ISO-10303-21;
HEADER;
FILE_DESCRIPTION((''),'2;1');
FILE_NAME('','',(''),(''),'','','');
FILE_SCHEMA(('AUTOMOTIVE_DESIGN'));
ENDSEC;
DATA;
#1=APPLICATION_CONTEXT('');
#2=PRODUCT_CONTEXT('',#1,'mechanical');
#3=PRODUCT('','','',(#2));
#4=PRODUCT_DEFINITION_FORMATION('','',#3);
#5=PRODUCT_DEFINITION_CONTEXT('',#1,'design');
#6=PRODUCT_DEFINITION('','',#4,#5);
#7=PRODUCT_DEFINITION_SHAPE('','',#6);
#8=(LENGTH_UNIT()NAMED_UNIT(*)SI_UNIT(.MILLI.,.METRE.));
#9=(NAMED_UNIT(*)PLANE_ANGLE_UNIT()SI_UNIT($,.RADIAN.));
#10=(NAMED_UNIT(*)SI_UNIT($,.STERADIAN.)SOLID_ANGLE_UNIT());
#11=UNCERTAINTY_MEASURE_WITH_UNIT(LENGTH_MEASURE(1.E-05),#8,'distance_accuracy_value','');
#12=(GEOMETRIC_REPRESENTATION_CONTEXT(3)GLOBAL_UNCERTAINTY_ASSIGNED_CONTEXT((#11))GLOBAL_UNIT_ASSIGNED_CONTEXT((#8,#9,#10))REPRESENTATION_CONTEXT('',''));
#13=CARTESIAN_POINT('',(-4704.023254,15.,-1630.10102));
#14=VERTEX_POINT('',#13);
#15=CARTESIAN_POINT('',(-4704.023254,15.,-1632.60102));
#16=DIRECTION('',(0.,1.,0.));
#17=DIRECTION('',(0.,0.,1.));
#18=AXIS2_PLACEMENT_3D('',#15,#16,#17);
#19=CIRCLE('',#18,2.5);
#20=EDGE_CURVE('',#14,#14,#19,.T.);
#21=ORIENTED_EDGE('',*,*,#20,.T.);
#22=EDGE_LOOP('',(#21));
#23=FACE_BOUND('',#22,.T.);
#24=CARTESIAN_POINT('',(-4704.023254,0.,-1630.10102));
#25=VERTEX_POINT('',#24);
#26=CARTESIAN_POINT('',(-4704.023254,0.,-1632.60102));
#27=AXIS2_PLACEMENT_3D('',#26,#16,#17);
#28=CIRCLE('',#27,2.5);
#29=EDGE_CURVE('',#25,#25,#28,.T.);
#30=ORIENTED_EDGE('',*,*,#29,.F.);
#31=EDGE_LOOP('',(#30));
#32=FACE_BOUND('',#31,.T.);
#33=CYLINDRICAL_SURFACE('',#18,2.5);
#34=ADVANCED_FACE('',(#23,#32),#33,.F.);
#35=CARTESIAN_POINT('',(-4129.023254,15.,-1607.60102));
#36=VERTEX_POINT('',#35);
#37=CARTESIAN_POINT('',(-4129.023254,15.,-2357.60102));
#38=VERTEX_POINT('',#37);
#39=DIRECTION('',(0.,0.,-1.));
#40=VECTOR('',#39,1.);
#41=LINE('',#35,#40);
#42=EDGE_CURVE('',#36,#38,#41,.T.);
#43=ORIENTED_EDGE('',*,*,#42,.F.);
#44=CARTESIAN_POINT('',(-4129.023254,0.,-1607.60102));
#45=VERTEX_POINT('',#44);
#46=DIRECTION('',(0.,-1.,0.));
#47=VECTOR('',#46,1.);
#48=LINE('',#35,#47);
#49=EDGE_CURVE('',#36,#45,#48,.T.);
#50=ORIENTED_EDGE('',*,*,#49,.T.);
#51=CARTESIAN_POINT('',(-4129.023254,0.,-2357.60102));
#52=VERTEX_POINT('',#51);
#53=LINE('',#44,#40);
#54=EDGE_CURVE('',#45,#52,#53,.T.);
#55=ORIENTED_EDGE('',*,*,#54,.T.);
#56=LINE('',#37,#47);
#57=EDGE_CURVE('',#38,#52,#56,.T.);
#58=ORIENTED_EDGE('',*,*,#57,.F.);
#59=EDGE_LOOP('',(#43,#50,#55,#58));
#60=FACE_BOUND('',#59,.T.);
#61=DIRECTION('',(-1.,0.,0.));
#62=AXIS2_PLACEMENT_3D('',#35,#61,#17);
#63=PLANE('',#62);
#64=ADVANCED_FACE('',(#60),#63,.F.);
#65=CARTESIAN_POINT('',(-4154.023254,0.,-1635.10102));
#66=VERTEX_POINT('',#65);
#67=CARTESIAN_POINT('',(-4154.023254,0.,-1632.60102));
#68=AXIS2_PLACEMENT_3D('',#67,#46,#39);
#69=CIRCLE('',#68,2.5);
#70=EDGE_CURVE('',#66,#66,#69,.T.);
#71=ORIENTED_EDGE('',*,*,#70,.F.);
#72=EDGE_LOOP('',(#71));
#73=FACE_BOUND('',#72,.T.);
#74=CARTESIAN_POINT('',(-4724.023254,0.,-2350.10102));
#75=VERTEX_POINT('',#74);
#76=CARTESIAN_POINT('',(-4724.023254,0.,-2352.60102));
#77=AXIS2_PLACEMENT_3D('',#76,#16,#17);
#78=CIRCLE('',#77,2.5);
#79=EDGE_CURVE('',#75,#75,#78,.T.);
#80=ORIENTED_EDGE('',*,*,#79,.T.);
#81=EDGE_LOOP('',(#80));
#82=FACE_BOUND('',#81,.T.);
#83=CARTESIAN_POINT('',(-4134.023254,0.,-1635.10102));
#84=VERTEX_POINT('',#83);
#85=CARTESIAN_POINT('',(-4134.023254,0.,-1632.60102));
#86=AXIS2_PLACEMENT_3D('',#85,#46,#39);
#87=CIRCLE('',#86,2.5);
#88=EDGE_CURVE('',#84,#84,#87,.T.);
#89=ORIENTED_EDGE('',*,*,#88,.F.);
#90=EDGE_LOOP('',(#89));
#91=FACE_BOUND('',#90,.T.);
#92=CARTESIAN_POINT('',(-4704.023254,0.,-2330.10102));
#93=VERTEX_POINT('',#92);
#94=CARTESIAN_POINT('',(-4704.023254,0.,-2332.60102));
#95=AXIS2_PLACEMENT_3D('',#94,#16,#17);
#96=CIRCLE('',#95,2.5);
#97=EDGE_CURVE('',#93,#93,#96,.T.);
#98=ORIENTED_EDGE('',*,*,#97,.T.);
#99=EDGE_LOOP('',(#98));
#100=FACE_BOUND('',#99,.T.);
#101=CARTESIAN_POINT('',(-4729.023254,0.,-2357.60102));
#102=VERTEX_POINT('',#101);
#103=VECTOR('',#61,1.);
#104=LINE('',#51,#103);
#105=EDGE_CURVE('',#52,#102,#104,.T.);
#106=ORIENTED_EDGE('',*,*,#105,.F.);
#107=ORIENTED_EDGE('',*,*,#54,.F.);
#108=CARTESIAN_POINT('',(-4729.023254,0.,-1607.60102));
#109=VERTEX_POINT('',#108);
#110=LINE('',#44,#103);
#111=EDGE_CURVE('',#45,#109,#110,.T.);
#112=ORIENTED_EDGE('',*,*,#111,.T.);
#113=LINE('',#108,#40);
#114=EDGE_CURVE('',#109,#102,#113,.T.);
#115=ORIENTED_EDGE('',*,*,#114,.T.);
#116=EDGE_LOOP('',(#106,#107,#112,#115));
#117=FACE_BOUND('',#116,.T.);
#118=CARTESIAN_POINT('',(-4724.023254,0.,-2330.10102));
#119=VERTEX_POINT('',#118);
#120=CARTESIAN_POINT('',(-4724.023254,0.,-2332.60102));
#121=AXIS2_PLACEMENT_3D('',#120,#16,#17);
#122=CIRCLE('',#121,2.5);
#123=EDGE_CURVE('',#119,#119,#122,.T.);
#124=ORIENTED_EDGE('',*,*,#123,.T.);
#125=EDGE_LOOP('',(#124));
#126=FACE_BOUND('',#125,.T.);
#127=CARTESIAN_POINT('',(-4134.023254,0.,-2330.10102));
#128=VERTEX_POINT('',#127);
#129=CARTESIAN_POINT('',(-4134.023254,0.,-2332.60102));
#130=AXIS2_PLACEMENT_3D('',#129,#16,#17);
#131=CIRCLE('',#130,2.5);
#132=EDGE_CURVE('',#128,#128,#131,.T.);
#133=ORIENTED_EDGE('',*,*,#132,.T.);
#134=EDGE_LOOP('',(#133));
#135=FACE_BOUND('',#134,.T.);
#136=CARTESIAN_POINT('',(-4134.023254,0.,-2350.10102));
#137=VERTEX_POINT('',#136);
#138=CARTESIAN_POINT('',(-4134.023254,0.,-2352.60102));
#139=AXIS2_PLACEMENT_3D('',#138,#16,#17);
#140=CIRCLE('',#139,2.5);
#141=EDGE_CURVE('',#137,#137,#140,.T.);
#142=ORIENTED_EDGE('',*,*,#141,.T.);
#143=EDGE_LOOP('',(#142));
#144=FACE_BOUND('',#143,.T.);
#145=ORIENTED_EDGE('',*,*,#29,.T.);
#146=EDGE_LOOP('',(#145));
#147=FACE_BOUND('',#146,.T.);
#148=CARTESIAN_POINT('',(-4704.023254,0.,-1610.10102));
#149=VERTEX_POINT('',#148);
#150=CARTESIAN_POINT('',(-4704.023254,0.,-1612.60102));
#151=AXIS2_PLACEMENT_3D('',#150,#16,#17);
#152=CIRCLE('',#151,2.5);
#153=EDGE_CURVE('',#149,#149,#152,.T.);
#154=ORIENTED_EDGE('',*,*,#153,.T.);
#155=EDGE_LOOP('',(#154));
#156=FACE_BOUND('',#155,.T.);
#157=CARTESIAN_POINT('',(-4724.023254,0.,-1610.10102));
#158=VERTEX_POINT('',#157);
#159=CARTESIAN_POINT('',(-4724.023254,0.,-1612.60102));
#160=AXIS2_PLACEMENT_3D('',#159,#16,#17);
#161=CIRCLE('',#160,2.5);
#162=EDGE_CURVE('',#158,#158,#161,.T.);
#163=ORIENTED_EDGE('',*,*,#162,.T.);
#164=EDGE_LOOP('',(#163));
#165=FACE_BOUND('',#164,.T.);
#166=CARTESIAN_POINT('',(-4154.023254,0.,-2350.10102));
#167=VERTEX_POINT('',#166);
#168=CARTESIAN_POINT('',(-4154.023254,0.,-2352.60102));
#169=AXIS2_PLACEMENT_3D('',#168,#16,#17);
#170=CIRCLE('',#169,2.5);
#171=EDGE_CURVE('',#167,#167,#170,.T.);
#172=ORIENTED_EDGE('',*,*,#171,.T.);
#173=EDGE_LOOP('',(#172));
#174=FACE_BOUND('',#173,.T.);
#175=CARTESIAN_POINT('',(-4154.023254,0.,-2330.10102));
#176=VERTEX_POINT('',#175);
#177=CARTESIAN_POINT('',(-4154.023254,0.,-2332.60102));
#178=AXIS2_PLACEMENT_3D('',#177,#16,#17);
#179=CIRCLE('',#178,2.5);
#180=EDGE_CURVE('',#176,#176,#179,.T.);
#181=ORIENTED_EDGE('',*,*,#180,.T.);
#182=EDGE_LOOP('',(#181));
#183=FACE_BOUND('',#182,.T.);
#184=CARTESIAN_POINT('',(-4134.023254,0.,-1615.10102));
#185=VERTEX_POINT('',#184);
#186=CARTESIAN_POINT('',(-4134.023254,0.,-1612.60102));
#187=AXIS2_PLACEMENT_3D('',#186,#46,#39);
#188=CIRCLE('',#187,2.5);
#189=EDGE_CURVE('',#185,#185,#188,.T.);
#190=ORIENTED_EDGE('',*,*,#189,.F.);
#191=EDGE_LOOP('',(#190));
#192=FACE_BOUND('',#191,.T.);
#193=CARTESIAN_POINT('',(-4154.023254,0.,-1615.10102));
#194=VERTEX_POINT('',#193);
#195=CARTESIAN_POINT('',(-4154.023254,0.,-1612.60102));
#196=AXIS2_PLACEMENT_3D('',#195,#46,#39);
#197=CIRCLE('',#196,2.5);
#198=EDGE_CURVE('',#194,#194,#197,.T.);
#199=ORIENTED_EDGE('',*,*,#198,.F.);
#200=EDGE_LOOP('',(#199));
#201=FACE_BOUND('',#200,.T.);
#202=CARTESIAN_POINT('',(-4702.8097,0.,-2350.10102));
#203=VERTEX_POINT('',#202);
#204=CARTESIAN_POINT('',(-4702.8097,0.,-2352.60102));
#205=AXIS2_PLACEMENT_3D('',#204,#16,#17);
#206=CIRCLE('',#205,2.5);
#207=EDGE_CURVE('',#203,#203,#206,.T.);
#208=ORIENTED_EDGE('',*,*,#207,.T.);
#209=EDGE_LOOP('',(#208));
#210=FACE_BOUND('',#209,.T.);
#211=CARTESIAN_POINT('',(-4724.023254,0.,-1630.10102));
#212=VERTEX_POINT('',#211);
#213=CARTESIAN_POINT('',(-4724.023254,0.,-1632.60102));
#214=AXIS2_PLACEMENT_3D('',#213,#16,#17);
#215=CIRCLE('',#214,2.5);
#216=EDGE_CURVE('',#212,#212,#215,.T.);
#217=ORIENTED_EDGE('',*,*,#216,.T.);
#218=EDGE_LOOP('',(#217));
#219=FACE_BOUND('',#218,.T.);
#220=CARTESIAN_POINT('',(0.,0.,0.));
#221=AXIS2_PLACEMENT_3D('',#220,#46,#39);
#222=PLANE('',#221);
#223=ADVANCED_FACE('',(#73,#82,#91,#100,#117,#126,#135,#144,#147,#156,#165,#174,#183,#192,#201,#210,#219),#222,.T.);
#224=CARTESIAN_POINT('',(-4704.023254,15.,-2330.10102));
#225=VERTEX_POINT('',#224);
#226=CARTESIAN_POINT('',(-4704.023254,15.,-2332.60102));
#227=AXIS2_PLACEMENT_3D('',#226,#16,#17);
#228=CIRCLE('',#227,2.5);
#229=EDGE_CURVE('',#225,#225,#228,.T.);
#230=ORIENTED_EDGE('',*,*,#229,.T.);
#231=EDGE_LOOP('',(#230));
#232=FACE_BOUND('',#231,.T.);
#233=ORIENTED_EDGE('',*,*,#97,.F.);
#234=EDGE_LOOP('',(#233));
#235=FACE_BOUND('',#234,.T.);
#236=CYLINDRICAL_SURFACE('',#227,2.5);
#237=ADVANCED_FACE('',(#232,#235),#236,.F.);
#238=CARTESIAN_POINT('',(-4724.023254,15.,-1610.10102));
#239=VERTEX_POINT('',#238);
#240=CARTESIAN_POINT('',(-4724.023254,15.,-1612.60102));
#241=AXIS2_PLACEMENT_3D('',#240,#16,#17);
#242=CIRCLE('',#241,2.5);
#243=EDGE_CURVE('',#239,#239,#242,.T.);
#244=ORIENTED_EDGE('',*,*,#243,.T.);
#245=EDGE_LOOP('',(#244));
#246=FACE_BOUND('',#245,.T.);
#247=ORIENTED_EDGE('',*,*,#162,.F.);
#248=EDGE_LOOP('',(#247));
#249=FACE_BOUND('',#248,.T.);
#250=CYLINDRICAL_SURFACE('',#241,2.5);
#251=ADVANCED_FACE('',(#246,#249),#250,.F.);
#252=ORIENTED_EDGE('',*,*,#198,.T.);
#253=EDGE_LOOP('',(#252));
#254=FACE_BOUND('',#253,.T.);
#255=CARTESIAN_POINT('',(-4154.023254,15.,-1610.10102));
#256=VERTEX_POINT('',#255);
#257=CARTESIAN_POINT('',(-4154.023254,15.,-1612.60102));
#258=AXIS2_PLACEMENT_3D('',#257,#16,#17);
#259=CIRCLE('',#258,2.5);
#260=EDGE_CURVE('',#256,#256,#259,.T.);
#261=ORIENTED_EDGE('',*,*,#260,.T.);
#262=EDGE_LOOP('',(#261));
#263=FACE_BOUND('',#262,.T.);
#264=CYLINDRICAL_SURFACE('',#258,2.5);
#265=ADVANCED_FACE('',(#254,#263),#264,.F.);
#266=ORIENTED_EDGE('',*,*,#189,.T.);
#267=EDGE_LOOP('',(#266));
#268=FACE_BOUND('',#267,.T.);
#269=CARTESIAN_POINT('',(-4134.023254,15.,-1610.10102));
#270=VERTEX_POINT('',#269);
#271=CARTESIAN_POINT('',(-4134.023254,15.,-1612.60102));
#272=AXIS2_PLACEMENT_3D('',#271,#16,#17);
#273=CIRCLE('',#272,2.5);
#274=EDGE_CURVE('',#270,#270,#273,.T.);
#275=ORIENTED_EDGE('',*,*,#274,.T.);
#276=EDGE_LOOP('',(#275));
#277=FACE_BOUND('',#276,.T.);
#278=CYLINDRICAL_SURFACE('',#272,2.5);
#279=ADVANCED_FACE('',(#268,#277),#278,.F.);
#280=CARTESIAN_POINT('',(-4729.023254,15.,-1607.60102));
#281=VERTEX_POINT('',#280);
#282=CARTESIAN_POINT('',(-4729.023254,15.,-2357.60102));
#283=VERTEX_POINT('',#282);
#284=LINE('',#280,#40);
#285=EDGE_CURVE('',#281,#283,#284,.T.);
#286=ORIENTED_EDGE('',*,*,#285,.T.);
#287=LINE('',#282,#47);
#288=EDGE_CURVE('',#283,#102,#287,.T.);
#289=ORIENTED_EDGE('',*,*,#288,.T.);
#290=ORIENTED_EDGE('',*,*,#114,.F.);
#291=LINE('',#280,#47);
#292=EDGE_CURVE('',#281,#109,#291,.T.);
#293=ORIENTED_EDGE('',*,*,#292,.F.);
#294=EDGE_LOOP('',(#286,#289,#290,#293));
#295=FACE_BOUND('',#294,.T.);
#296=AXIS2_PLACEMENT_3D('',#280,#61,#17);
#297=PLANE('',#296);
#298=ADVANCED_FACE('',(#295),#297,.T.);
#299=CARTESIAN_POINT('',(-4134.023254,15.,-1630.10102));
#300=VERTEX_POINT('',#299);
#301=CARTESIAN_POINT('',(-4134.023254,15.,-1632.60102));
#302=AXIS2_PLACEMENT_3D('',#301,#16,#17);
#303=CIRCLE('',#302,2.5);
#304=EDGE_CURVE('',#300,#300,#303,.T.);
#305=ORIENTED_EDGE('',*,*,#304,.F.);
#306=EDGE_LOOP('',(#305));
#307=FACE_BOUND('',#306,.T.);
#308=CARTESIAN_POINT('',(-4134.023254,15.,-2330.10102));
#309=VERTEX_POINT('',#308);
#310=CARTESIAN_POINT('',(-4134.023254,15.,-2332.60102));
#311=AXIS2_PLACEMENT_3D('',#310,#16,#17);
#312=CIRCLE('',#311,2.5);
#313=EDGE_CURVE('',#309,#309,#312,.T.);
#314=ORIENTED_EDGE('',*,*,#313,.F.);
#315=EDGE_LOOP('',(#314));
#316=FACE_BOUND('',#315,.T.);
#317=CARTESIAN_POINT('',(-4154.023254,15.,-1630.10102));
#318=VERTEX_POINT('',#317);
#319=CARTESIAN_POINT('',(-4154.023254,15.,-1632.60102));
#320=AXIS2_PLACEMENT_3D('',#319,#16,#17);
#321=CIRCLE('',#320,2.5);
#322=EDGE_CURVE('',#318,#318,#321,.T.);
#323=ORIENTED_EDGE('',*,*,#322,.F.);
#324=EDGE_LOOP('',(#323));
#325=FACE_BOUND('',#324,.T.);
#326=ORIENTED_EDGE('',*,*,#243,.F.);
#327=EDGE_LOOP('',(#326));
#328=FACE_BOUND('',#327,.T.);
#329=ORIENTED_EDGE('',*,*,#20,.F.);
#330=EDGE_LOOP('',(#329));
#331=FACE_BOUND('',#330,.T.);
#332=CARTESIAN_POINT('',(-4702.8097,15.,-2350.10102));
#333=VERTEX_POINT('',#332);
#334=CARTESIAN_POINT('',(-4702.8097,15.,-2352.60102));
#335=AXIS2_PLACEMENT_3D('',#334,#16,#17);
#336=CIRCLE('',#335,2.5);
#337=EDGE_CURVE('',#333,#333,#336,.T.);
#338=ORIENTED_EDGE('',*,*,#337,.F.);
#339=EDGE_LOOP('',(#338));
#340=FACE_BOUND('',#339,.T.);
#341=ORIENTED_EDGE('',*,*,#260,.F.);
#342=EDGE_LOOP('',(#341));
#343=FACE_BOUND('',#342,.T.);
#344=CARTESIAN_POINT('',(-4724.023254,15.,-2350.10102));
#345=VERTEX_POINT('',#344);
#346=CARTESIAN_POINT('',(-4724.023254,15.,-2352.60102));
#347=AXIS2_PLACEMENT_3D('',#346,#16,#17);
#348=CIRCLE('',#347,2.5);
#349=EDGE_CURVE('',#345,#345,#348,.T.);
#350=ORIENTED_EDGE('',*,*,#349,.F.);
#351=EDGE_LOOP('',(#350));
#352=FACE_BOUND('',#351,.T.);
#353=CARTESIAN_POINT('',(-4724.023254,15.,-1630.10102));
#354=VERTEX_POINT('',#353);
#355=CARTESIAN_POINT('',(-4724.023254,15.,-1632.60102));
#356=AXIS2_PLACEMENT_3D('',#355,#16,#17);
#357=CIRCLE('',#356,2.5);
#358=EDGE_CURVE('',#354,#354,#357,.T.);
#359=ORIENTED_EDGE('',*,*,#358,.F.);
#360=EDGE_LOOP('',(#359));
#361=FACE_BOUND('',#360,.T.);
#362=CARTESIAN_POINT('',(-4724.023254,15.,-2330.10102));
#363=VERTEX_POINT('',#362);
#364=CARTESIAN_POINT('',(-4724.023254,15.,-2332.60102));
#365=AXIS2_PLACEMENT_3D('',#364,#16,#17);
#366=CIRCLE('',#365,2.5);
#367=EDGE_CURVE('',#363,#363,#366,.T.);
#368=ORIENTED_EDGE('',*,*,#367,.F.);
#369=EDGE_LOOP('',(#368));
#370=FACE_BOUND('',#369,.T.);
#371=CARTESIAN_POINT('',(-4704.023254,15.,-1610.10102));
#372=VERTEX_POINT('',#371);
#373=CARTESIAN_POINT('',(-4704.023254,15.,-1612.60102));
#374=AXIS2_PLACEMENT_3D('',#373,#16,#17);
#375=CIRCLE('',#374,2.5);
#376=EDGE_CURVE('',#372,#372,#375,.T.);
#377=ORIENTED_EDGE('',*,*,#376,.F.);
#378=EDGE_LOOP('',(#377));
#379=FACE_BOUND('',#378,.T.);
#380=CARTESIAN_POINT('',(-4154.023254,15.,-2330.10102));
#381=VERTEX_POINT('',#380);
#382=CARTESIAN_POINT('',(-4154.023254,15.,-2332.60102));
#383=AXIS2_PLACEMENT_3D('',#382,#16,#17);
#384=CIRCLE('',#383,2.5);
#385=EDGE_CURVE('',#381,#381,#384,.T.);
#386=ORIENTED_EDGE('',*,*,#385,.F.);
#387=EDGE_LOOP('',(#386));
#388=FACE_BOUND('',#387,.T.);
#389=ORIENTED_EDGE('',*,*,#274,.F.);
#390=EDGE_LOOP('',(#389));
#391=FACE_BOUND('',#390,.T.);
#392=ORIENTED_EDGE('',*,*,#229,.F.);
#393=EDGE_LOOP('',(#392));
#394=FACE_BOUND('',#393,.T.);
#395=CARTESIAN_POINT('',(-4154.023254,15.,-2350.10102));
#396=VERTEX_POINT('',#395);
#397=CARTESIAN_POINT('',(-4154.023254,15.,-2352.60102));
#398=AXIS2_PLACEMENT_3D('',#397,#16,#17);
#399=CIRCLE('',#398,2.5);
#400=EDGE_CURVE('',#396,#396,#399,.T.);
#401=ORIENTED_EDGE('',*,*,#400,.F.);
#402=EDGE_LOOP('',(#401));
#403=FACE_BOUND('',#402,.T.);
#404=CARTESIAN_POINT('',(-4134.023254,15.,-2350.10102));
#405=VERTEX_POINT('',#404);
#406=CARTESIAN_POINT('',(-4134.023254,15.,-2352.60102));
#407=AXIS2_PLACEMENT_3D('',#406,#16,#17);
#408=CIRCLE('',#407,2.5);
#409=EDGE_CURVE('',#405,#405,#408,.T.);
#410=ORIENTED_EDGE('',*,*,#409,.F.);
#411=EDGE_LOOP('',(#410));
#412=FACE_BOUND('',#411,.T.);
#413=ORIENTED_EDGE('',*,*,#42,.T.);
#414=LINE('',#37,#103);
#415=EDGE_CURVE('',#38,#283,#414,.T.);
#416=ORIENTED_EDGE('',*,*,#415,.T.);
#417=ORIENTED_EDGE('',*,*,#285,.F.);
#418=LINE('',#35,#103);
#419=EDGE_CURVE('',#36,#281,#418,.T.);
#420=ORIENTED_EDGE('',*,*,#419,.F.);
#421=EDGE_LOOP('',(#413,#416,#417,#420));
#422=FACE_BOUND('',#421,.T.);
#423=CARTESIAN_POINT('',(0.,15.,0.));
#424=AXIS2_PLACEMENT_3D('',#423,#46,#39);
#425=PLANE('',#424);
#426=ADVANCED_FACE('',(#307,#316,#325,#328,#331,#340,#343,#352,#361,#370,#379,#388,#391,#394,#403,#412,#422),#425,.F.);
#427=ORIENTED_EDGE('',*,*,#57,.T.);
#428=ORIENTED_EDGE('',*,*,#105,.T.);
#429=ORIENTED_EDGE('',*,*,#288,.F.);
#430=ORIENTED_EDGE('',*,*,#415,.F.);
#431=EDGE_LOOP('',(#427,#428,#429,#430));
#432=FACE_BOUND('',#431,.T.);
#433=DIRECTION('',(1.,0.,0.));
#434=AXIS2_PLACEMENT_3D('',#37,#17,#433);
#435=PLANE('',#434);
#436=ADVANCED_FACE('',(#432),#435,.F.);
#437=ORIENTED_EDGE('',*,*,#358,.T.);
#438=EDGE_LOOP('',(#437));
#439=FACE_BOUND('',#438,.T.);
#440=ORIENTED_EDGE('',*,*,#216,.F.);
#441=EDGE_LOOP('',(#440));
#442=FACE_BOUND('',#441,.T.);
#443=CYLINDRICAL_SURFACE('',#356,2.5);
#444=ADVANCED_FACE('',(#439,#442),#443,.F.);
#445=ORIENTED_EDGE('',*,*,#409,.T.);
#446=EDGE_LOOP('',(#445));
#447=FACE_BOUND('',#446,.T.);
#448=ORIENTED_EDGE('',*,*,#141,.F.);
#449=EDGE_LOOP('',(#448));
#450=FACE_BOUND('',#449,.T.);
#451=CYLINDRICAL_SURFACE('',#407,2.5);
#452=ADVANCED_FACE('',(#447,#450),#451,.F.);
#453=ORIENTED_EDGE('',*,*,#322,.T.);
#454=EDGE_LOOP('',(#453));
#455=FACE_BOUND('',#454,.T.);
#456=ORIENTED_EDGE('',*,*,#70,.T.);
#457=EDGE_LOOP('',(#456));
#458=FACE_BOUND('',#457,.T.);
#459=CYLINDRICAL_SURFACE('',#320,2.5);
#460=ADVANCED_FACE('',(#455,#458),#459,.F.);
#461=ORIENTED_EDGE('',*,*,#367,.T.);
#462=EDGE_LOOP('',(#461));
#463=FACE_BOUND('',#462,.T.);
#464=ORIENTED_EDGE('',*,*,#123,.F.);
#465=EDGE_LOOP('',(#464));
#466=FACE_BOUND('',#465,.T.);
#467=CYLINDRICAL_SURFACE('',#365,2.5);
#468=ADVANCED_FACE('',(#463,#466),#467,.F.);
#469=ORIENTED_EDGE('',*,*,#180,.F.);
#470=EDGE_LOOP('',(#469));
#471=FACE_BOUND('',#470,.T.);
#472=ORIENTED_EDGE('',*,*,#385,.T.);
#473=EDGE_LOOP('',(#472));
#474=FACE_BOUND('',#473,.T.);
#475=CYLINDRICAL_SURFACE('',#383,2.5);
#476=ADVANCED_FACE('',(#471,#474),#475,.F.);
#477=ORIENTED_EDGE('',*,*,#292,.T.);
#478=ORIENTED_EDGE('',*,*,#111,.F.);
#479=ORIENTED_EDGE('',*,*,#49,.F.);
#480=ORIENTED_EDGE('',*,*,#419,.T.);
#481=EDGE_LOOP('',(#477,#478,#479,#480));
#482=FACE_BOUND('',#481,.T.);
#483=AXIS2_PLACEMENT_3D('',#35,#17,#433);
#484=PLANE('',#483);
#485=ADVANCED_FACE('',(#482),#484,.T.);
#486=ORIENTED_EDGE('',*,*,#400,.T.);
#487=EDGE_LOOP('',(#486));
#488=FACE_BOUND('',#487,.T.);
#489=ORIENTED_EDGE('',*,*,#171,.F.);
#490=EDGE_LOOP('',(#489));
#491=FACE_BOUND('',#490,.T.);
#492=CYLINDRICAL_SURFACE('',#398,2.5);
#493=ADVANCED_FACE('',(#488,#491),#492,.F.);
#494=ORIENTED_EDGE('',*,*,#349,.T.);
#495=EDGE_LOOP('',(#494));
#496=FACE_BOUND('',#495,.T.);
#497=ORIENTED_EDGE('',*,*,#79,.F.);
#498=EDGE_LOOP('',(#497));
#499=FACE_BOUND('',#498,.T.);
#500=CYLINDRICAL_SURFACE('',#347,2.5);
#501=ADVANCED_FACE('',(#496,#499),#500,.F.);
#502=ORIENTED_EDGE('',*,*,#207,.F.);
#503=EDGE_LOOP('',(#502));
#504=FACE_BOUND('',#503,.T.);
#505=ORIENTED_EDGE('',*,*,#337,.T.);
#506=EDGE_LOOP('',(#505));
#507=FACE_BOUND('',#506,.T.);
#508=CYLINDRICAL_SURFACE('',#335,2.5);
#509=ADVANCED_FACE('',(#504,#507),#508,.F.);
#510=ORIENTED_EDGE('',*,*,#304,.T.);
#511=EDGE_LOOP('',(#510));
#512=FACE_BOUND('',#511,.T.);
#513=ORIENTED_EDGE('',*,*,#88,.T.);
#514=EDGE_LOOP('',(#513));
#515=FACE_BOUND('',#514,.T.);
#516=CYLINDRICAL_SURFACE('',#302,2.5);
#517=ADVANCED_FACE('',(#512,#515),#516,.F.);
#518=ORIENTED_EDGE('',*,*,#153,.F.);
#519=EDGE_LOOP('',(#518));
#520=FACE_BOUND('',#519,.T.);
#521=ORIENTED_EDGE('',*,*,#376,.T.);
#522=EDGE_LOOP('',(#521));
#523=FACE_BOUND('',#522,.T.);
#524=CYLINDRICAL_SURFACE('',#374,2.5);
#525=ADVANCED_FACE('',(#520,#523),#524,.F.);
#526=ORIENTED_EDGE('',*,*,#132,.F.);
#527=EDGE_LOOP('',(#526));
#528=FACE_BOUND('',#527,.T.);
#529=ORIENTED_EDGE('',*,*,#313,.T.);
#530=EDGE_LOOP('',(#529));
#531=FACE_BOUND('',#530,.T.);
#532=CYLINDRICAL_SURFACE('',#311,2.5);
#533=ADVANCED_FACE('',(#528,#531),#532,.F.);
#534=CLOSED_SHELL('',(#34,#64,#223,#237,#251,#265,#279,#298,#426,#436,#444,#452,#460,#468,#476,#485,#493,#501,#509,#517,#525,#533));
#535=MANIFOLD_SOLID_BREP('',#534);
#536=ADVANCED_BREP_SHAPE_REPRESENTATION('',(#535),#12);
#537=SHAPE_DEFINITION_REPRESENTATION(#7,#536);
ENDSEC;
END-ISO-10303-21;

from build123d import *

# Parameters (mm, degrees)
SKETCH1_W                 = 600
SKETCH1_H                 = 750
BOSS_EXTRUDE1_DEPTH       = 15
F_5_0MM_DOWEL_HOLE1_D     = 5
F_5_0MM_DOWEL_HOLE1_DEPTH = 30
F_5_0MM_DOWEL_HOLE1_TIP   = 1.502151548
F_5_0MM_DOWEL_HOLE2_D     = 5


with BuildPart() as part:
    # Sketch1 → Boss-Extrude1 (new body)
    with BuildSketch(Plane(origin=(0, 0, 0), x_dir=(1, 0, 0), z_dir=(0, 1, 0))):
        with Locations((-4429.023254343, 1982.601020053)):
            Rectangle(SKETCH1_W, SKETCH1_H)
    extrude(amount=BOSS_EXTRUDE1_DEPTH)

    # Ø5.0mm Dowel Hole1
    with Locations(Plane(origin=(0, 15, 0), x_dir=(1, 0, 0), z_dir=(0, 1, 0))):
        with Locations((-4134.023254343, 1632.601020053), (-4154.023254343, 1632.601020053), (-4154.023254343, 1612.601020053), (-4134.023254343, 1612.601020053)):
            Hole(F_5_0MM_DOWEL_HOLE1_D / 2, depth=F_5_0MM_DOWEL_HOLE1_DEPTH)
            with Locations((0, 0, -(F_5_0MM_DOWEL_HOLE1_DEPTH + F_5_0MM_DOWEL_HOLE1_TIP / 2))):  # 118° drill point
                Cone(0, F_5_0MM_DOWEL_HOLE1_D / 2, F_5_0MM_DOWEL_HOLE1_TIP, mode=Mode.SUBTRACT)

    # Ø5.0mm Dowel Hole2 (through all)
    with Locations(Plane(origin=(-4724.023254343, 15, -2352.601020053), x_dir=(0, 0, 1), z_dir=(0, 1, 0))):
        with Locations((0, 0), (0, 21.213554644), (20, 0), (20, 20), (0, 590), (0, 570), (20, 570), (20, 590), (720, 20), (740, 20), (740, 0), (720, 0)):
            Hole(F_5_0MM_DOWEL_HOLE2_D / 2)


solid = part.part
